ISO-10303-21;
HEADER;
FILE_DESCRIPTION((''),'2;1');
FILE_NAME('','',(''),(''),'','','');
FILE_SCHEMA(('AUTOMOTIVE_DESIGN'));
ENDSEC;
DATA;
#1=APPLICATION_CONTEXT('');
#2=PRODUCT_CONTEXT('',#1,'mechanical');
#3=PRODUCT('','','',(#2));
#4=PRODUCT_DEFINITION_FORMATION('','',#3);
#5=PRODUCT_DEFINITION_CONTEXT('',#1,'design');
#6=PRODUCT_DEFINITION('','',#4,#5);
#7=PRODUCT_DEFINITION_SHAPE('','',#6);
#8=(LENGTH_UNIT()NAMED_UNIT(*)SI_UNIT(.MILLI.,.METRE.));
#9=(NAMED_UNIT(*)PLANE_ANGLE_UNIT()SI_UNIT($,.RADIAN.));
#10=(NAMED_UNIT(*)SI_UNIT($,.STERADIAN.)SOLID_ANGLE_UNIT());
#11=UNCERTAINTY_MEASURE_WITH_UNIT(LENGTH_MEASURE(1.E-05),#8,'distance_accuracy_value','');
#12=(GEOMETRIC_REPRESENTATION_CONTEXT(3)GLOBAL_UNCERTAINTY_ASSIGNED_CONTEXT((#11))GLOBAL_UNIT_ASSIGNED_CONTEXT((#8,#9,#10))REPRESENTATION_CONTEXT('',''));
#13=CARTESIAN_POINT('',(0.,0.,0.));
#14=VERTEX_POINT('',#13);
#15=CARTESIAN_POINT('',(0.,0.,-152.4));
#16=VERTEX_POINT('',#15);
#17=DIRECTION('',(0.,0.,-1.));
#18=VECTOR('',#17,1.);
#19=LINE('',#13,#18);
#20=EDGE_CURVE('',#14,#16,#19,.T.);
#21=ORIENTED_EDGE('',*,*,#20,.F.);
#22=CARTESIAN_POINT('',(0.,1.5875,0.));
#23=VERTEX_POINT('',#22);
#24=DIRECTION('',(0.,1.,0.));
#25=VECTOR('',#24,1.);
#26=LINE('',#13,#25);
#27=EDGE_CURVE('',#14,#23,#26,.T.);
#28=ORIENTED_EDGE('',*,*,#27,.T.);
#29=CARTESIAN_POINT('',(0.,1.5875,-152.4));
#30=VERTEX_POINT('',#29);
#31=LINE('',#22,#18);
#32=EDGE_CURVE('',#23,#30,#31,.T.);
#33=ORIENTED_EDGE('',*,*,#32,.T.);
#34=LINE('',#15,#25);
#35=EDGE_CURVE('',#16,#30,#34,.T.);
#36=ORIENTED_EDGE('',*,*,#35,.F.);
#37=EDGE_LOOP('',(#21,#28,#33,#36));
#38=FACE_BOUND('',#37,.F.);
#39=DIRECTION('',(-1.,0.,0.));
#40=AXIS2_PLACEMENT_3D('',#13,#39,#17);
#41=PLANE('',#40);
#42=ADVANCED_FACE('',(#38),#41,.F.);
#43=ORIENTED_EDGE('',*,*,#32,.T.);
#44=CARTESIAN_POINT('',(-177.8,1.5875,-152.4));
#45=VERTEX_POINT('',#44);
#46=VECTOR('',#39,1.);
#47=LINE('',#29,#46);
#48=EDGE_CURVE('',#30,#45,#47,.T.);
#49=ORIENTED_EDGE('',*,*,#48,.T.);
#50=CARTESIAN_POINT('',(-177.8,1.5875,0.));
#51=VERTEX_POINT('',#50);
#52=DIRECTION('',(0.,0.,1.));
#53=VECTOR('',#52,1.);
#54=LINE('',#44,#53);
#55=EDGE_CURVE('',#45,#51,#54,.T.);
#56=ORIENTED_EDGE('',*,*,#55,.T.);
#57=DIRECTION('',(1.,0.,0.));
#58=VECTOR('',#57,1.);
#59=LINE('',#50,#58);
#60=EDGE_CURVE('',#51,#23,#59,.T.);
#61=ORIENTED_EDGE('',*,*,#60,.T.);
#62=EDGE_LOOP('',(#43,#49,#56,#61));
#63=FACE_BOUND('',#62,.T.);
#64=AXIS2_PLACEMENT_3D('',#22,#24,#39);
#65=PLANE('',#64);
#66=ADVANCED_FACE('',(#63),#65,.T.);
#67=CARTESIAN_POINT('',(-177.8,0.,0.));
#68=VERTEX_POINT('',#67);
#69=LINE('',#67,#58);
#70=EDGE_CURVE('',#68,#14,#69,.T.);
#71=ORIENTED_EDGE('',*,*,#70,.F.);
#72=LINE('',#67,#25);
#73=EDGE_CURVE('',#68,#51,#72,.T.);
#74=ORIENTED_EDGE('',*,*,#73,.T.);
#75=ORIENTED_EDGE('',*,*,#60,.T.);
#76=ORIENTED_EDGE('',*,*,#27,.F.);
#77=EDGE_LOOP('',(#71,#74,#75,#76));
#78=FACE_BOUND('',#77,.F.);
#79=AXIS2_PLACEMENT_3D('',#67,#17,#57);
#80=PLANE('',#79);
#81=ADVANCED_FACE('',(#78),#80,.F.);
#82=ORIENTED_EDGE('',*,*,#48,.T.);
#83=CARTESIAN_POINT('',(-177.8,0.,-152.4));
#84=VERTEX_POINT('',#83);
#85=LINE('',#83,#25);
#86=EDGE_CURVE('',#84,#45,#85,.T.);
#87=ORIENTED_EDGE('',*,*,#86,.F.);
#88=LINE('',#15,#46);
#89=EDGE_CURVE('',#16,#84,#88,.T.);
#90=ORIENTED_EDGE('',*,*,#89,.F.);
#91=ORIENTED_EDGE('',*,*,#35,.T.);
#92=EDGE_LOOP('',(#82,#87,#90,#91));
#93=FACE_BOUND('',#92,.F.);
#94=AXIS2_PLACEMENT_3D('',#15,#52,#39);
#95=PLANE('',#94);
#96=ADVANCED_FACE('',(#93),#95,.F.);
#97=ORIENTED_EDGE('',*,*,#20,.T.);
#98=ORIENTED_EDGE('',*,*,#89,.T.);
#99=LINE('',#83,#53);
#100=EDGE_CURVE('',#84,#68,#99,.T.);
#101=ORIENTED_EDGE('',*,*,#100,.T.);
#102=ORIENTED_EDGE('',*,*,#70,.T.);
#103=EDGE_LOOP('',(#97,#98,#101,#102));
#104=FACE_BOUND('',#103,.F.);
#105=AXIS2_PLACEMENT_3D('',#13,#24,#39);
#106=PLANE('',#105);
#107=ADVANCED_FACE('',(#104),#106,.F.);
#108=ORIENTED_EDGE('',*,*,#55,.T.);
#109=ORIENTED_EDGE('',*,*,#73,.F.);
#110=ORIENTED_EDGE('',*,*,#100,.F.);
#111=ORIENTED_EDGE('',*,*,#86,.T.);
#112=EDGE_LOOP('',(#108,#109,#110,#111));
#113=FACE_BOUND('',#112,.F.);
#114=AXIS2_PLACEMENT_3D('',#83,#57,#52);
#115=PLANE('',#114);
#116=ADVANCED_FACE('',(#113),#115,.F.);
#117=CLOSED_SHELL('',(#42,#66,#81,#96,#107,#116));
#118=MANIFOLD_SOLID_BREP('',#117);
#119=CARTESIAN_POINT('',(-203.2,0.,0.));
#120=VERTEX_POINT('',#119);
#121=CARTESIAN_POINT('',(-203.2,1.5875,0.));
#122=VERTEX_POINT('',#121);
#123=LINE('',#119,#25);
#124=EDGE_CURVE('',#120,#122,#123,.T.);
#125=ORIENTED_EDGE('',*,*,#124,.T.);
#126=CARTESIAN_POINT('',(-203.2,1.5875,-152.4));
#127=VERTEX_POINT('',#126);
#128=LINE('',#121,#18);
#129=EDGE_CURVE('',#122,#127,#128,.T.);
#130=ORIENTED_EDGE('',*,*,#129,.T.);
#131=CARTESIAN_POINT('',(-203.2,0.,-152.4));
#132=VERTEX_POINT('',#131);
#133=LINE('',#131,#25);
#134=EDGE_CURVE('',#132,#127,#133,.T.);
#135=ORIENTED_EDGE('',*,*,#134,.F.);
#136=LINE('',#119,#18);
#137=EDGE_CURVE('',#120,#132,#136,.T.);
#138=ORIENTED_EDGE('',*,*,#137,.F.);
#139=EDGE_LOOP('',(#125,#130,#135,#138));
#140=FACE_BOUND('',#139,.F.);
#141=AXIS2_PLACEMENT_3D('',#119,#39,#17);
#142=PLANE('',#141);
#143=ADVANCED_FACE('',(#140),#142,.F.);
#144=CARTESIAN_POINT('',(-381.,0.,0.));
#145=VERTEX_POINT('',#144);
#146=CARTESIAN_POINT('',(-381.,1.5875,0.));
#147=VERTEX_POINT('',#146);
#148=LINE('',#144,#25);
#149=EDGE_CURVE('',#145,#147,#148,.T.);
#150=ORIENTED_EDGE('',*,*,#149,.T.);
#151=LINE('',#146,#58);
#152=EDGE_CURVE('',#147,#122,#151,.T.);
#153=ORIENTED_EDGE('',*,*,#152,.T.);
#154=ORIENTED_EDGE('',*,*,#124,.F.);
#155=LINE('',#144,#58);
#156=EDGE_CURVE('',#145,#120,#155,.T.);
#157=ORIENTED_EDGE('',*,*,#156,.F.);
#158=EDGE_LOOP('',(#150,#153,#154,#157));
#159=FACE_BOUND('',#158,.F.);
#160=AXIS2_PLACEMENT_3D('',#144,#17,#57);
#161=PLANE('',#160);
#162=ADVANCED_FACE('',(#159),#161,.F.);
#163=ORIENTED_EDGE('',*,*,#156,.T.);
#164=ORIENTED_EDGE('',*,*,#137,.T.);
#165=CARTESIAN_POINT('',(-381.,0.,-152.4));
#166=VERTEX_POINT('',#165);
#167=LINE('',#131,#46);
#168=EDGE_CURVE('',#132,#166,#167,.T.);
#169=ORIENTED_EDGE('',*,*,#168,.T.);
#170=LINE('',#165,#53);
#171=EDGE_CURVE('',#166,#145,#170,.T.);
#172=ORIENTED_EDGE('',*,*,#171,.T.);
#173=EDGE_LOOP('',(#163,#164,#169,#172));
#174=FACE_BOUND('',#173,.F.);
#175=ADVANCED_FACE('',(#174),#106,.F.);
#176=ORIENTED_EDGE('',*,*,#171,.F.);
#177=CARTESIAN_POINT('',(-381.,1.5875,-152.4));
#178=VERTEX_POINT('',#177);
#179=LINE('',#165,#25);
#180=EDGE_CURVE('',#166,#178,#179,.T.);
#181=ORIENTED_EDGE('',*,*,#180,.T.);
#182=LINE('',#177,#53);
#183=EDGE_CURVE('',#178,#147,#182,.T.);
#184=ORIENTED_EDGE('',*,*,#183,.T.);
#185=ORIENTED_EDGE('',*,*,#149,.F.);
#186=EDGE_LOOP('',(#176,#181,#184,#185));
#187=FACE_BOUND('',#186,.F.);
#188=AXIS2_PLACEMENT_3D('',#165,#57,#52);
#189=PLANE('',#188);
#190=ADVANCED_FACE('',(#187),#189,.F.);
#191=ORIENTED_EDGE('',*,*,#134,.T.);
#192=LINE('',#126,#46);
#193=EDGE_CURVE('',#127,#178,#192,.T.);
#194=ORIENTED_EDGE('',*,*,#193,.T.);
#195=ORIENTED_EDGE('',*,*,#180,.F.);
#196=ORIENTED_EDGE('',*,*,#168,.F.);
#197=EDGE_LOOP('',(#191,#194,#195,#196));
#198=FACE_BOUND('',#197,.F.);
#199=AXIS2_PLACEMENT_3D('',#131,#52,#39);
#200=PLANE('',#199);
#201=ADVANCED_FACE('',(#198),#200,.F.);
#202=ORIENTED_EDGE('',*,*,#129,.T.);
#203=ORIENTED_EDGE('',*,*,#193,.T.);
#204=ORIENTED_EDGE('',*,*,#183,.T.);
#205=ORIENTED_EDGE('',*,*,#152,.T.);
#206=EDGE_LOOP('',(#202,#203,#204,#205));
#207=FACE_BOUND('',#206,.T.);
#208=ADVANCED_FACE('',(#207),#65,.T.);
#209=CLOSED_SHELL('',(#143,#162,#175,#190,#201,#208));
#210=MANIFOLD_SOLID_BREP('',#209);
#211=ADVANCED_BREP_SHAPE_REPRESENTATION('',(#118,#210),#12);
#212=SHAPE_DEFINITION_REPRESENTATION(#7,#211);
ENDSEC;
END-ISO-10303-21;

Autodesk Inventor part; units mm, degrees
ref_plane "YZ Plane" through (0, 0, 0) normal (1, 0, 0) x (0, 1, 0)
ref_plane "XZ Plane" through (0, 0, 0) normal (0, 1, 0) x (-1, 0, 0)
ref_plane "XY Plane" through (0, 0, 0) normal (0, 0, 1) x (1, 0, 0)
sketch "Sketch1" plane through (0, 0, 0) normal (0, 1, 0) x (-1, 0, 0)
  line L0 (0, 0) -> (0, -152.4)
  line L1 (0, -152.4) -> (177.8, -152.4)
  line L2 (177.8, -152.4) -> (177.8, 0)
  line L3 (177.8, 0) -> (0, 0)
  line L4 (203.2, 0) -> (203.2, -152.4)
  line L5 (203.2, -152.4) -> (381, -152.4)
  line L6 (381, -152.4) -> (381, 0)
  line L7 (381, 0) -> (203.2, 0)
  dimension "d0" = 152.4
  dimension "d1" = 177.8
  dimension "d2" = 25.4
  dimension "d3" = 177.8
extrude "Extrusion1" add sketch "Sketch1" along normal blind 1.5875
properties part number "shootingabs"
